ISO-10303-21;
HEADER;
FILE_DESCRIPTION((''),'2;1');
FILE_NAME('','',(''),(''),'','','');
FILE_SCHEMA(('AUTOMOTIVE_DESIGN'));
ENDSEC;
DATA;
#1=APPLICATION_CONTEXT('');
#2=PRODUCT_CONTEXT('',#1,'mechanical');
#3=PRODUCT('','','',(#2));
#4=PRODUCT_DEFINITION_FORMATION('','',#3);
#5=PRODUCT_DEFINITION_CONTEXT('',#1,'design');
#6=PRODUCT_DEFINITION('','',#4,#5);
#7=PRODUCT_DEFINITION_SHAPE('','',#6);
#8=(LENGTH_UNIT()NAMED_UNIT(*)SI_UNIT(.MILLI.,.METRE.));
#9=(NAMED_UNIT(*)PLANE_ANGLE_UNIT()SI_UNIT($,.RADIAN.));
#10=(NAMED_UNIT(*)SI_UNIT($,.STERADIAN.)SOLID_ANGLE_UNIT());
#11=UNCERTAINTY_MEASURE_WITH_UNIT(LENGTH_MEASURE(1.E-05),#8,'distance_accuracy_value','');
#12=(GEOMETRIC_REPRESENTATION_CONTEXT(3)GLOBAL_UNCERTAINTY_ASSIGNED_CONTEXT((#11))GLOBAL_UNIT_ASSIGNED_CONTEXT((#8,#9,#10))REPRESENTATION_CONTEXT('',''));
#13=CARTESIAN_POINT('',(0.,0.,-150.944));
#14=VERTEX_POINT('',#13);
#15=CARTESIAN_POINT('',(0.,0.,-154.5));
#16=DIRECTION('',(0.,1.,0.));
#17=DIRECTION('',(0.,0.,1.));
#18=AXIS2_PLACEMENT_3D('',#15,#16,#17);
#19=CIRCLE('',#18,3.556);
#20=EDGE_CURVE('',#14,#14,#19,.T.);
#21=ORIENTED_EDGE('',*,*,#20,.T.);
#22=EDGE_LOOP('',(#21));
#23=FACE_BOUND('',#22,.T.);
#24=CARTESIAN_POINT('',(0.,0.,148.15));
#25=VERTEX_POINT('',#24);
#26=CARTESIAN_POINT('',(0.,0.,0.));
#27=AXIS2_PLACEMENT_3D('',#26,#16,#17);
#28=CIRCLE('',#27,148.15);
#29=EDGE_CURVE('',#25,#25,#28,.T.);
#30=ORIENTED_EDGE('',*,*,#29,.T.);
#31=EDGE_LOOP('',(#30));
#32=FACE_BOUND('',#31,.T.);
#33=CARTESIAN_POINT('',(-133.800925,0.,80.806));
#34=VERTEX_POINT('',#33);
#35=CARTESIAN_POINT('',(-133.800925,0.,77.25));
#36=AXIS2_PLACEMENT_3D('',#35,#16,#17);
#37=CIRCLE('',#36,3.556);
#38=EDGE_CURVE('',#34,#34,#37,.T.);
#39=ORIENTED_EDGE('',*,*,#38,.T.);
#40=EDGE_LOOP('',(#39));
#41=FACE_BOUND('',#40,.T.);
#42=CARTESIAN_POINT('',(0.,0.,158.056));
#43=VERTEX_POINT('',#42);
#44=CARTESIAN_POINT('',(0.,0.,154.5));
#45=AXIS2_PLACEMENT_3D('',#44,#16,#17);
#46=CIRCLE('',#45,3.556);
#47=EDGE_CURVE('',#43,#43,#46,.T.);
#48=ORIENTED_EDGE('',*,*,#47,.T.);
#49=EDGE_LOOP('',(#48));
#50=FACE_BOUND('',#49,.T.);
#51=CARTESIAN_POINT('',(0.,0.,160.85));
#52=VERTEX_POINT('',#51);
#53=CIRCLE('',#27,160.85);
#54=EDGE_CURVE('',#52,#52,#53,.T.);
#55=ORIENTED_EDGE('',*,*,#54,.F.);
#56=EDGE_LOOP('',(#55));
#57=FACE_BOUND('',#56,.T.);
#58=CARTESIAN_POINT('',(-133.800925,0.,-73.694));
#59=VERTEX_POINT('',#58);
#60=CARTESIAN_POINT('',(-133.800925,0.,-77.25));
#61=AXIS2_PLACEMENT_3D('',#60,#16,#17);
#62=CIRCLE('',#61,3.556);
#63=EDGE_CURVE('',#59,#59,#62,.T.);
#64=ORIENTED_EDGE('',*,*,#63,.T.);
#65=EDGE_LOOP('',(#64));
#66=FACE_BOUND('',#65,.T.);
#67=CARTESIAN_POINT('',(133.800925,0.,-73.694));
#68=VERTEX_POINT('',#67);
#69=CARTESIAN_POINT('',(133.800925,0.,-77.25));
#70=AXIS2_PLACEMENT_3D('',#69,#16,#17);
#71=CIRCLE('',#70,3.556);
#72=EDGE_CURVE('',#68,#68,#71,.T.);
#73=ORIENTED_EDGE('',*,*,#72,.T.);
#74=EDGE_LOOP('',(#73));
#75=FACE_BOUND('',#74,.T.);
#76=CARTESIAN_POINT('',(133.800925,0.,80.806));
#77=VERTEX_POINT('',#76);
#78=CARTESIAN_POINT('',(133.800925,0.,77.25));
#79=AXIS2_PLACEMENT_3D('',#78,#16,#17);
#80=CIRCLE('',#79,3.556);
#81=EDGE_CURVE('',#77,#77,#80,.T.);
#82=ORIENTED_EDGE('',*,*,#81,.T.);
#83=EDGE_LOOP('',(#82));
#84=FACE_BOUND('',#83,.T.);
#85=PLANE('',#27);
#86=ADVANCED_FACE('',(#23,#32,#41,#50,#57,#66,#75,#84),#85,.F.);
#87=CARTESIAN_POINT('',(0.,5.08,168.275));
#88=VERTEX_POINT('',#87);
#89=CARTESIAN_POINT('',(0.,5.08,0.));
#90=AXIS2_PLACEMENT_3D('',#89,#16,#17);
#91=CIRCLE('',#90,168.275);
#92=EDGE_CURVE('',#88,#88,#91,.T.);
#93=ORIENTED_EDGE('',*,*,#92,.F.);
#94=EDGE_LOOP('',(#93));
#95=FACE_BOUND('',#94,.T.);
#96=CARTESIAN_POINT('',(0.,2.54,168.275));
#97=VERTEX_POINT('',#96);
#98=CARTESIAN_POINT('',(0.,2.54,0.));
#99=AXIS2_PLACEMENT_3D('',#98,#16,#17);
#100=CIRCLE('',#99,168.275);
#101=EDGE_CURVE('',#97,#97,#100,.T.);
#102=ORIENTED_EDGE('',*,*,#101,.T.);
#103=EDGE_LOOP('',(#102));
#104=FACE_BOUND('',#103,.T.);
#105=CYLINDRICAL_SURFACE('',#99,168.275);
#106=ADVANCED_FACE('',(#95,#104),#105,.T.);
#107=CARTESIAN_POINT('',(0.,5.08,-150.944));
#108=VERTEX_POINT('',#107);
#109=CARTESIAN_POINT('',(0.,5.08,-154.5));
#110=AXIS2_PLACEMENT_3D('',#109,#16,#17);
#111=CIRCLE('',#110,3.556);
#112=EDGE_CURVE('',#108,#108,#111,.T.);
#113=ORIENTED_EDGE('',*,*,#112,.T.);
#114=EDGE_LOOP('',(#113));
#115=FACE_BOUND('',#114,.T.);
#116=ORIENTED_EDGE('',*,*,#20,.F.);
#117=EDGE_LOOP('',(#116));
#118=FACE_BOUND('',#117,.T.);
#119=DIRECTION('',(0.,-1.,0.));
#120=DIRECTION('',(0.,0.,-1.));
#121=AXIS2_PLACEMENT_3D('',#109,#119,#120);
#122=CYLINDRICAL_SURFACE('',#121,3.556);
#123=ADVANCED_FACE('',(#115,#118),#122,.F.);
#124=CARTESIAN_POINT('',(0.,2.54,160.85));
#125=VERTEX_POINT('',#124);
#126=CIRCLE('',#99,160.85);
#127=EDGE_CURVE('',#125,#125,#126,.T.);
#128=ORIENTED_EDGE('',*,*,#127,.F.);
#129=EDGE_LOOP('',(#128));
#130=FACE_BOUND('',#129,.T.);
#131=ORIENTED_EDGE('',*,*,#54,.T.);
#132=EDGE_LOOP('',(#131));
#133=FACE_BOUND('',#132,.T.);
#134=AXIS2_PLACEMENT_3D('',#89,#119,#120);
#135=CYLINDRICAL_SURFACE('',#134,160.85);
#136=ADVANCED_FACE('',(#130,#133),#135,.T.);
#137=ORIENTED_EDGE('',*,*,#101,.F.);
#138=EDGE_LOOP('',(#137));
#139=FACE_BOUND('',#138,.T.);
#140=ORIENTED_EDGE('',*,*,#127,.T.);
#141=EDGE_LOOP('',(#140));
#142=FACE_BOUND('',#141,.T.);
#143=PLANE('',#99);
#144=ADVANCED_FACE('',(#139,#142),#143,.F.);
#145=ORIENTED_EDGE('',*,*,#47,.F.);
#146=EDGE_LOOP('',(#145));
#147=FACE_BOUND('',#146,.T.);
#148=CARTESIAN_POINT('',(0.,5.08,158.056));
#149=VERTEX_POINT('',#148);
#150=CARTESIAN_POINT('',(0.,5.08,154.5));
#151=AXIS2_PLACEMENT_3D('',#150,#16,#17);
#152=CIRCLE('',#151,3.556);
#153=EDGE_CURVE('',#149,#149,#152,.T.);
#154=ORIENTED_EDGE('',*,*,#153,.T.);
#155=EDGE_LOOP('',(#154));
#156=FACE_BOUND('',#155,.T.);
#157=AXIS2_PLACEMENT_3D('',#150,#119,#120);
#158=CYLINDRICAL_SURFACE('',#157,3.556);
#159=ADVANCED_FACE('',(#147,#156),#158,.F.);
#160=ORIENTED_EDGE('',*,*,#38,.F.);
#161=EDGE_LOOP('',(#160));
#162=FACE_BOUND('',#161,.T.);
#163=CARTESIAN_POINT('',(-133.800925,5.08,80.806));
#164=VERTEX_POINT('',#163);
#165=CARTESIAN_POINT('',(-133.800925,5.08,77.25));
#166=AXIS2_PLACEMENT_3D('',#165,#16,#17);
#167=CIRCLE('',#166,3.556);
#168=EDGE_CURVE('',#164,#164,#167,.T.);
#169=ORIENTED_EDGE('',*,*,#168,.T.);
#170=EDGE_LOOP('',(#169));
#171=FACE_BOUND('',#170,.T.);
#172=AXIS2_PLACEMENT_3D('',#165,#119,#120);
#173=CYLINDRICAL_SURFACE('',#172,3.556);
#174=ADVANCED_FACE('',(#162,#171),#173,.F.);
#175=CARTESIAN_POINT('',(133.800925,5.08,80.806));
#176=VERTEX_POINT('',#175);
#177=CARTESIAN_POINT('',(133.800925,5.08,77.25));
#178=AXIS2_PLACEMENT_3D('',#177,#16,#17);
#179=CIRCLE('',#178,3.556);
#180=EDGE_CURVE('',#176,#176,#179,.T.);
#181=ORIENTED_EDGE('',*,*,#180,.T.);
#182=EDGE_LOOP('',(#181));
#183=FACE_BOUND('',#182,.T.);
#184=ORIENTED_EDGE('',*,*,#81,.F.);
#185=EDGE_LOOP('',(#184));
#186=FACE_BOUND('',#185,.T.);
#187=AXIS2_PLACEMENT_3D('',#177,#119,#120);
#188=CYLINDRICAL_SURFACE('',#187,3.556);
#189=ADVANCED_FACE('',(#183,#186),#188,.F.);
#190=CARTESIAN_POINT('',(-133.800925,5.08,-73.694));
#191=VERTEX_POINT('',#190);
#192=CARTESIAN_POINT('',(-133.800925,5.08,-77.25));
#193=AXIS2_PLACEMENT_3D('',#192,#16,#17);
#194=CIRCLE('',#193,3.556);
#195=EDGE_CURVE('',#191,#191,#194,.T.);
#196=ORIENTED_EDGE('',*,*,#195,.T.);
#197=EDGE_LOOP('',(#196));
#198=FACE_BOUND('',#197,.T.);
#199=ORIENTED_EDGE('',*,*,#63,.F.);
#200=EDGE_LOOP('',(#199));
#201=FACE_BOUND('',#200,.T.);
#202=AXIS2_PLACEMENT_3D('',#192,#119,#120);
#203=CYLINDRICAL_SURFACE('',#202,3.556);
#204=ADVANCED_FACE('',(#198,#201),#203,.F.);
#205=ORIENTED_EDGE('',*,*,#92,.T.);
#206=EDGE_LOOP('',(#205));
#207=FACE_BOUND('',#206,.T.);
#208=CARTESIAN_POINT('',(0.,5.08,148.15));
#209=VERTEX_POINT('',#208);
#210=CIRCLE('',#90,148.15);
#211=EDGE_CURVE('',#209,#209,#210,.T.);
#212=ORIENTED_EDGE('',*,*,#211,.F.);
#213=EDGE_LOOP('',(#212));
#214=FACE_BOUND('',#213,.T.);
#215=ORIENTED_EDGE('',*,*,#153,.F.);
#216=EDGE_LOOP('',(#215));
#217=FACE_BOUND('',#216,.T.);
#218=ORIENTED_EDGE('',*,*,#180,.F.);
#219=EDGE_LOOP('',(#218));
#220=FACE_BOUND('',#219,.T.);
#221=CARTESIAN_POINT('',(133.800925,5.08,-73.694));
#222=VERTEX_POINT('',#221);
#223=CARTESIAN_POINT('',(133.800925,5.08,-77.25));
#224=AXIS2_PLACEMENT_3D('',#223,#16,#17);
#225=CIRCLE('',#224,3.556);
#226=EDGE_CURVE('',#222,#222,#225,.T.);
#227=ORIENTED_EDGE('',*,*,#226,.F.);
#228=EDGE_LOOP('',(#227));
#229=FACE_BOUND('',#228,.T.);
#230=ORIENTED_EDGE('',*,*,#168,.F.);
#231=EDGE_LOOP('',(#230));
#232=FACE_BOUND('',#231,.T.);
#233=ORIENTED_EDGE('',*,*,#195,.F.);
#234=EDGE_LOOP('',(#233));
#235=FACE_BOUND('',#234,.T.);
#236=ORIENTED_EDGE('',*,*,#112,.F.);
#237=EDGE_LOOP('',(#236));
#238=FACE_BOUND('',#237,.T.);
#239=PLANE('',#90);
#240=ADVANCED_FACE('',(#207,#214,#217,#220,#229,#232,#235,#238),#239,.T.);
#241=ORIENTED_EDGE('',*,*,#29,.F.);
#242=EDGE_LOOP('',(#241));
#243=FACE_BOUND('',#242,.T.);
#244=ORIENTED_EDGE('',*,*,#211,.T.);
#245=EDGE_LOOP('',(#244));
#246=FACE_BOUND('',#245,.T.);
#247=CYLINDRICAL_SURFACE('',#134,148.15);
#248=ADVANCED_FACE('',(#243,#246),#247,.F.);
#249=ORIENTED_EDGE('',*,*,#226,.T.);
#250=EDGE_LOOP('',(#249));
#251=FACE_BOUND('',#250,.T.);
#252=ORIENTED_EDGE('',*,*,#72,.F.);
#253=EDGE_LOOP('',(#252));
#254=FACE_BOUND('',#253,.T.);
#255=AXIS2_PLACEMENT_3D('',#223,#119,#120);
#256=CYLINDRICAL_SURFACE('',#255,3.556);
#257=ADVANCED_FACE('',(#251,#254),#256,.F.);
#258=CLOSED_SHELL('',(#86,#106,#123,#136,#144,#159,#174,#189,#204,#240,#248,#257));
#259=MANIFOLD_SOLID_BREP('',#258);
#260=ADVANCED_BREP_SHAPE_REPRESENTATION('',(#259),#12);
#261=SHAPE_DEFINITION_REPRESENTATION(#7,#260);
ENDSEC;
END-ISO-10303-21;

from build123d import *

# Parameters (mm, degrees)
SKETCH1_R           = 160.85
SKETCH1_R_2         = 3.556
SKETCH1_R_3         = 148.15
BOSS_EXTRUDE1_DEPTH = 5.08
SKETCH2_R           = 168.275
SKETCH2_R_2         = 160.85
BOSS_EXTRUDE2_DEPTH = 2.54


with BuildPart() as part:
    # Sketch1 → Boss-Extrude1 (new body)
    with BuildSketch(Plane(origin=(0, 0, 0), x_dir=(1, 0, 0), z_dir=(0, 1, 0))):
        Circle(SKETCH1_R)
        with Locations((0, 154.5)):
            Circle(SKETCH1_R_2, mode=Mode.SUBTRACT)
        with Locations((133.800924885, 77.25)):
            Circle(SKETCH1_R_2, mode=Mode.SUBTRACT)
        with Locations((133.800924885, -77.25)):
            Circle(SKETCH1_R_2, mode=Mode.SUBTRACT)
        with Locations((0, -154.5)):
            Circle(SKETCH1_R_2, mode=Mode.SUBTRACT)
        with Locations((-133.800924885, -77.25)):
            Circle(SKETCH1_R_2, mode=Mode.SUBTRACT)
        with Locations((-133.800924885, 77.25)):
            Circle(SKETCH1_R_2, mode=Mode.SUBTRACT)
        Circle(SKETCH1_R_3, mode=Mode.SUBTRACT)
    extrude(amount=BOSS_EXTRUDE1_DEPTH)

    # Sketch2 → Boss-Extrude2 (add)
    with BuildSketch(Plane(origin=(0, 5.08, 0), x_dir=(1, 0, 0), z_dir=(0, 1, 0))):
        Circle(SKETCH2_R)
        Circle(SKETCH2_R_2, mode=Mode.SUBTRACT)
    extrude(amount=-BOSS_EXTRUDE2_DEPTH)


solid = part.part
